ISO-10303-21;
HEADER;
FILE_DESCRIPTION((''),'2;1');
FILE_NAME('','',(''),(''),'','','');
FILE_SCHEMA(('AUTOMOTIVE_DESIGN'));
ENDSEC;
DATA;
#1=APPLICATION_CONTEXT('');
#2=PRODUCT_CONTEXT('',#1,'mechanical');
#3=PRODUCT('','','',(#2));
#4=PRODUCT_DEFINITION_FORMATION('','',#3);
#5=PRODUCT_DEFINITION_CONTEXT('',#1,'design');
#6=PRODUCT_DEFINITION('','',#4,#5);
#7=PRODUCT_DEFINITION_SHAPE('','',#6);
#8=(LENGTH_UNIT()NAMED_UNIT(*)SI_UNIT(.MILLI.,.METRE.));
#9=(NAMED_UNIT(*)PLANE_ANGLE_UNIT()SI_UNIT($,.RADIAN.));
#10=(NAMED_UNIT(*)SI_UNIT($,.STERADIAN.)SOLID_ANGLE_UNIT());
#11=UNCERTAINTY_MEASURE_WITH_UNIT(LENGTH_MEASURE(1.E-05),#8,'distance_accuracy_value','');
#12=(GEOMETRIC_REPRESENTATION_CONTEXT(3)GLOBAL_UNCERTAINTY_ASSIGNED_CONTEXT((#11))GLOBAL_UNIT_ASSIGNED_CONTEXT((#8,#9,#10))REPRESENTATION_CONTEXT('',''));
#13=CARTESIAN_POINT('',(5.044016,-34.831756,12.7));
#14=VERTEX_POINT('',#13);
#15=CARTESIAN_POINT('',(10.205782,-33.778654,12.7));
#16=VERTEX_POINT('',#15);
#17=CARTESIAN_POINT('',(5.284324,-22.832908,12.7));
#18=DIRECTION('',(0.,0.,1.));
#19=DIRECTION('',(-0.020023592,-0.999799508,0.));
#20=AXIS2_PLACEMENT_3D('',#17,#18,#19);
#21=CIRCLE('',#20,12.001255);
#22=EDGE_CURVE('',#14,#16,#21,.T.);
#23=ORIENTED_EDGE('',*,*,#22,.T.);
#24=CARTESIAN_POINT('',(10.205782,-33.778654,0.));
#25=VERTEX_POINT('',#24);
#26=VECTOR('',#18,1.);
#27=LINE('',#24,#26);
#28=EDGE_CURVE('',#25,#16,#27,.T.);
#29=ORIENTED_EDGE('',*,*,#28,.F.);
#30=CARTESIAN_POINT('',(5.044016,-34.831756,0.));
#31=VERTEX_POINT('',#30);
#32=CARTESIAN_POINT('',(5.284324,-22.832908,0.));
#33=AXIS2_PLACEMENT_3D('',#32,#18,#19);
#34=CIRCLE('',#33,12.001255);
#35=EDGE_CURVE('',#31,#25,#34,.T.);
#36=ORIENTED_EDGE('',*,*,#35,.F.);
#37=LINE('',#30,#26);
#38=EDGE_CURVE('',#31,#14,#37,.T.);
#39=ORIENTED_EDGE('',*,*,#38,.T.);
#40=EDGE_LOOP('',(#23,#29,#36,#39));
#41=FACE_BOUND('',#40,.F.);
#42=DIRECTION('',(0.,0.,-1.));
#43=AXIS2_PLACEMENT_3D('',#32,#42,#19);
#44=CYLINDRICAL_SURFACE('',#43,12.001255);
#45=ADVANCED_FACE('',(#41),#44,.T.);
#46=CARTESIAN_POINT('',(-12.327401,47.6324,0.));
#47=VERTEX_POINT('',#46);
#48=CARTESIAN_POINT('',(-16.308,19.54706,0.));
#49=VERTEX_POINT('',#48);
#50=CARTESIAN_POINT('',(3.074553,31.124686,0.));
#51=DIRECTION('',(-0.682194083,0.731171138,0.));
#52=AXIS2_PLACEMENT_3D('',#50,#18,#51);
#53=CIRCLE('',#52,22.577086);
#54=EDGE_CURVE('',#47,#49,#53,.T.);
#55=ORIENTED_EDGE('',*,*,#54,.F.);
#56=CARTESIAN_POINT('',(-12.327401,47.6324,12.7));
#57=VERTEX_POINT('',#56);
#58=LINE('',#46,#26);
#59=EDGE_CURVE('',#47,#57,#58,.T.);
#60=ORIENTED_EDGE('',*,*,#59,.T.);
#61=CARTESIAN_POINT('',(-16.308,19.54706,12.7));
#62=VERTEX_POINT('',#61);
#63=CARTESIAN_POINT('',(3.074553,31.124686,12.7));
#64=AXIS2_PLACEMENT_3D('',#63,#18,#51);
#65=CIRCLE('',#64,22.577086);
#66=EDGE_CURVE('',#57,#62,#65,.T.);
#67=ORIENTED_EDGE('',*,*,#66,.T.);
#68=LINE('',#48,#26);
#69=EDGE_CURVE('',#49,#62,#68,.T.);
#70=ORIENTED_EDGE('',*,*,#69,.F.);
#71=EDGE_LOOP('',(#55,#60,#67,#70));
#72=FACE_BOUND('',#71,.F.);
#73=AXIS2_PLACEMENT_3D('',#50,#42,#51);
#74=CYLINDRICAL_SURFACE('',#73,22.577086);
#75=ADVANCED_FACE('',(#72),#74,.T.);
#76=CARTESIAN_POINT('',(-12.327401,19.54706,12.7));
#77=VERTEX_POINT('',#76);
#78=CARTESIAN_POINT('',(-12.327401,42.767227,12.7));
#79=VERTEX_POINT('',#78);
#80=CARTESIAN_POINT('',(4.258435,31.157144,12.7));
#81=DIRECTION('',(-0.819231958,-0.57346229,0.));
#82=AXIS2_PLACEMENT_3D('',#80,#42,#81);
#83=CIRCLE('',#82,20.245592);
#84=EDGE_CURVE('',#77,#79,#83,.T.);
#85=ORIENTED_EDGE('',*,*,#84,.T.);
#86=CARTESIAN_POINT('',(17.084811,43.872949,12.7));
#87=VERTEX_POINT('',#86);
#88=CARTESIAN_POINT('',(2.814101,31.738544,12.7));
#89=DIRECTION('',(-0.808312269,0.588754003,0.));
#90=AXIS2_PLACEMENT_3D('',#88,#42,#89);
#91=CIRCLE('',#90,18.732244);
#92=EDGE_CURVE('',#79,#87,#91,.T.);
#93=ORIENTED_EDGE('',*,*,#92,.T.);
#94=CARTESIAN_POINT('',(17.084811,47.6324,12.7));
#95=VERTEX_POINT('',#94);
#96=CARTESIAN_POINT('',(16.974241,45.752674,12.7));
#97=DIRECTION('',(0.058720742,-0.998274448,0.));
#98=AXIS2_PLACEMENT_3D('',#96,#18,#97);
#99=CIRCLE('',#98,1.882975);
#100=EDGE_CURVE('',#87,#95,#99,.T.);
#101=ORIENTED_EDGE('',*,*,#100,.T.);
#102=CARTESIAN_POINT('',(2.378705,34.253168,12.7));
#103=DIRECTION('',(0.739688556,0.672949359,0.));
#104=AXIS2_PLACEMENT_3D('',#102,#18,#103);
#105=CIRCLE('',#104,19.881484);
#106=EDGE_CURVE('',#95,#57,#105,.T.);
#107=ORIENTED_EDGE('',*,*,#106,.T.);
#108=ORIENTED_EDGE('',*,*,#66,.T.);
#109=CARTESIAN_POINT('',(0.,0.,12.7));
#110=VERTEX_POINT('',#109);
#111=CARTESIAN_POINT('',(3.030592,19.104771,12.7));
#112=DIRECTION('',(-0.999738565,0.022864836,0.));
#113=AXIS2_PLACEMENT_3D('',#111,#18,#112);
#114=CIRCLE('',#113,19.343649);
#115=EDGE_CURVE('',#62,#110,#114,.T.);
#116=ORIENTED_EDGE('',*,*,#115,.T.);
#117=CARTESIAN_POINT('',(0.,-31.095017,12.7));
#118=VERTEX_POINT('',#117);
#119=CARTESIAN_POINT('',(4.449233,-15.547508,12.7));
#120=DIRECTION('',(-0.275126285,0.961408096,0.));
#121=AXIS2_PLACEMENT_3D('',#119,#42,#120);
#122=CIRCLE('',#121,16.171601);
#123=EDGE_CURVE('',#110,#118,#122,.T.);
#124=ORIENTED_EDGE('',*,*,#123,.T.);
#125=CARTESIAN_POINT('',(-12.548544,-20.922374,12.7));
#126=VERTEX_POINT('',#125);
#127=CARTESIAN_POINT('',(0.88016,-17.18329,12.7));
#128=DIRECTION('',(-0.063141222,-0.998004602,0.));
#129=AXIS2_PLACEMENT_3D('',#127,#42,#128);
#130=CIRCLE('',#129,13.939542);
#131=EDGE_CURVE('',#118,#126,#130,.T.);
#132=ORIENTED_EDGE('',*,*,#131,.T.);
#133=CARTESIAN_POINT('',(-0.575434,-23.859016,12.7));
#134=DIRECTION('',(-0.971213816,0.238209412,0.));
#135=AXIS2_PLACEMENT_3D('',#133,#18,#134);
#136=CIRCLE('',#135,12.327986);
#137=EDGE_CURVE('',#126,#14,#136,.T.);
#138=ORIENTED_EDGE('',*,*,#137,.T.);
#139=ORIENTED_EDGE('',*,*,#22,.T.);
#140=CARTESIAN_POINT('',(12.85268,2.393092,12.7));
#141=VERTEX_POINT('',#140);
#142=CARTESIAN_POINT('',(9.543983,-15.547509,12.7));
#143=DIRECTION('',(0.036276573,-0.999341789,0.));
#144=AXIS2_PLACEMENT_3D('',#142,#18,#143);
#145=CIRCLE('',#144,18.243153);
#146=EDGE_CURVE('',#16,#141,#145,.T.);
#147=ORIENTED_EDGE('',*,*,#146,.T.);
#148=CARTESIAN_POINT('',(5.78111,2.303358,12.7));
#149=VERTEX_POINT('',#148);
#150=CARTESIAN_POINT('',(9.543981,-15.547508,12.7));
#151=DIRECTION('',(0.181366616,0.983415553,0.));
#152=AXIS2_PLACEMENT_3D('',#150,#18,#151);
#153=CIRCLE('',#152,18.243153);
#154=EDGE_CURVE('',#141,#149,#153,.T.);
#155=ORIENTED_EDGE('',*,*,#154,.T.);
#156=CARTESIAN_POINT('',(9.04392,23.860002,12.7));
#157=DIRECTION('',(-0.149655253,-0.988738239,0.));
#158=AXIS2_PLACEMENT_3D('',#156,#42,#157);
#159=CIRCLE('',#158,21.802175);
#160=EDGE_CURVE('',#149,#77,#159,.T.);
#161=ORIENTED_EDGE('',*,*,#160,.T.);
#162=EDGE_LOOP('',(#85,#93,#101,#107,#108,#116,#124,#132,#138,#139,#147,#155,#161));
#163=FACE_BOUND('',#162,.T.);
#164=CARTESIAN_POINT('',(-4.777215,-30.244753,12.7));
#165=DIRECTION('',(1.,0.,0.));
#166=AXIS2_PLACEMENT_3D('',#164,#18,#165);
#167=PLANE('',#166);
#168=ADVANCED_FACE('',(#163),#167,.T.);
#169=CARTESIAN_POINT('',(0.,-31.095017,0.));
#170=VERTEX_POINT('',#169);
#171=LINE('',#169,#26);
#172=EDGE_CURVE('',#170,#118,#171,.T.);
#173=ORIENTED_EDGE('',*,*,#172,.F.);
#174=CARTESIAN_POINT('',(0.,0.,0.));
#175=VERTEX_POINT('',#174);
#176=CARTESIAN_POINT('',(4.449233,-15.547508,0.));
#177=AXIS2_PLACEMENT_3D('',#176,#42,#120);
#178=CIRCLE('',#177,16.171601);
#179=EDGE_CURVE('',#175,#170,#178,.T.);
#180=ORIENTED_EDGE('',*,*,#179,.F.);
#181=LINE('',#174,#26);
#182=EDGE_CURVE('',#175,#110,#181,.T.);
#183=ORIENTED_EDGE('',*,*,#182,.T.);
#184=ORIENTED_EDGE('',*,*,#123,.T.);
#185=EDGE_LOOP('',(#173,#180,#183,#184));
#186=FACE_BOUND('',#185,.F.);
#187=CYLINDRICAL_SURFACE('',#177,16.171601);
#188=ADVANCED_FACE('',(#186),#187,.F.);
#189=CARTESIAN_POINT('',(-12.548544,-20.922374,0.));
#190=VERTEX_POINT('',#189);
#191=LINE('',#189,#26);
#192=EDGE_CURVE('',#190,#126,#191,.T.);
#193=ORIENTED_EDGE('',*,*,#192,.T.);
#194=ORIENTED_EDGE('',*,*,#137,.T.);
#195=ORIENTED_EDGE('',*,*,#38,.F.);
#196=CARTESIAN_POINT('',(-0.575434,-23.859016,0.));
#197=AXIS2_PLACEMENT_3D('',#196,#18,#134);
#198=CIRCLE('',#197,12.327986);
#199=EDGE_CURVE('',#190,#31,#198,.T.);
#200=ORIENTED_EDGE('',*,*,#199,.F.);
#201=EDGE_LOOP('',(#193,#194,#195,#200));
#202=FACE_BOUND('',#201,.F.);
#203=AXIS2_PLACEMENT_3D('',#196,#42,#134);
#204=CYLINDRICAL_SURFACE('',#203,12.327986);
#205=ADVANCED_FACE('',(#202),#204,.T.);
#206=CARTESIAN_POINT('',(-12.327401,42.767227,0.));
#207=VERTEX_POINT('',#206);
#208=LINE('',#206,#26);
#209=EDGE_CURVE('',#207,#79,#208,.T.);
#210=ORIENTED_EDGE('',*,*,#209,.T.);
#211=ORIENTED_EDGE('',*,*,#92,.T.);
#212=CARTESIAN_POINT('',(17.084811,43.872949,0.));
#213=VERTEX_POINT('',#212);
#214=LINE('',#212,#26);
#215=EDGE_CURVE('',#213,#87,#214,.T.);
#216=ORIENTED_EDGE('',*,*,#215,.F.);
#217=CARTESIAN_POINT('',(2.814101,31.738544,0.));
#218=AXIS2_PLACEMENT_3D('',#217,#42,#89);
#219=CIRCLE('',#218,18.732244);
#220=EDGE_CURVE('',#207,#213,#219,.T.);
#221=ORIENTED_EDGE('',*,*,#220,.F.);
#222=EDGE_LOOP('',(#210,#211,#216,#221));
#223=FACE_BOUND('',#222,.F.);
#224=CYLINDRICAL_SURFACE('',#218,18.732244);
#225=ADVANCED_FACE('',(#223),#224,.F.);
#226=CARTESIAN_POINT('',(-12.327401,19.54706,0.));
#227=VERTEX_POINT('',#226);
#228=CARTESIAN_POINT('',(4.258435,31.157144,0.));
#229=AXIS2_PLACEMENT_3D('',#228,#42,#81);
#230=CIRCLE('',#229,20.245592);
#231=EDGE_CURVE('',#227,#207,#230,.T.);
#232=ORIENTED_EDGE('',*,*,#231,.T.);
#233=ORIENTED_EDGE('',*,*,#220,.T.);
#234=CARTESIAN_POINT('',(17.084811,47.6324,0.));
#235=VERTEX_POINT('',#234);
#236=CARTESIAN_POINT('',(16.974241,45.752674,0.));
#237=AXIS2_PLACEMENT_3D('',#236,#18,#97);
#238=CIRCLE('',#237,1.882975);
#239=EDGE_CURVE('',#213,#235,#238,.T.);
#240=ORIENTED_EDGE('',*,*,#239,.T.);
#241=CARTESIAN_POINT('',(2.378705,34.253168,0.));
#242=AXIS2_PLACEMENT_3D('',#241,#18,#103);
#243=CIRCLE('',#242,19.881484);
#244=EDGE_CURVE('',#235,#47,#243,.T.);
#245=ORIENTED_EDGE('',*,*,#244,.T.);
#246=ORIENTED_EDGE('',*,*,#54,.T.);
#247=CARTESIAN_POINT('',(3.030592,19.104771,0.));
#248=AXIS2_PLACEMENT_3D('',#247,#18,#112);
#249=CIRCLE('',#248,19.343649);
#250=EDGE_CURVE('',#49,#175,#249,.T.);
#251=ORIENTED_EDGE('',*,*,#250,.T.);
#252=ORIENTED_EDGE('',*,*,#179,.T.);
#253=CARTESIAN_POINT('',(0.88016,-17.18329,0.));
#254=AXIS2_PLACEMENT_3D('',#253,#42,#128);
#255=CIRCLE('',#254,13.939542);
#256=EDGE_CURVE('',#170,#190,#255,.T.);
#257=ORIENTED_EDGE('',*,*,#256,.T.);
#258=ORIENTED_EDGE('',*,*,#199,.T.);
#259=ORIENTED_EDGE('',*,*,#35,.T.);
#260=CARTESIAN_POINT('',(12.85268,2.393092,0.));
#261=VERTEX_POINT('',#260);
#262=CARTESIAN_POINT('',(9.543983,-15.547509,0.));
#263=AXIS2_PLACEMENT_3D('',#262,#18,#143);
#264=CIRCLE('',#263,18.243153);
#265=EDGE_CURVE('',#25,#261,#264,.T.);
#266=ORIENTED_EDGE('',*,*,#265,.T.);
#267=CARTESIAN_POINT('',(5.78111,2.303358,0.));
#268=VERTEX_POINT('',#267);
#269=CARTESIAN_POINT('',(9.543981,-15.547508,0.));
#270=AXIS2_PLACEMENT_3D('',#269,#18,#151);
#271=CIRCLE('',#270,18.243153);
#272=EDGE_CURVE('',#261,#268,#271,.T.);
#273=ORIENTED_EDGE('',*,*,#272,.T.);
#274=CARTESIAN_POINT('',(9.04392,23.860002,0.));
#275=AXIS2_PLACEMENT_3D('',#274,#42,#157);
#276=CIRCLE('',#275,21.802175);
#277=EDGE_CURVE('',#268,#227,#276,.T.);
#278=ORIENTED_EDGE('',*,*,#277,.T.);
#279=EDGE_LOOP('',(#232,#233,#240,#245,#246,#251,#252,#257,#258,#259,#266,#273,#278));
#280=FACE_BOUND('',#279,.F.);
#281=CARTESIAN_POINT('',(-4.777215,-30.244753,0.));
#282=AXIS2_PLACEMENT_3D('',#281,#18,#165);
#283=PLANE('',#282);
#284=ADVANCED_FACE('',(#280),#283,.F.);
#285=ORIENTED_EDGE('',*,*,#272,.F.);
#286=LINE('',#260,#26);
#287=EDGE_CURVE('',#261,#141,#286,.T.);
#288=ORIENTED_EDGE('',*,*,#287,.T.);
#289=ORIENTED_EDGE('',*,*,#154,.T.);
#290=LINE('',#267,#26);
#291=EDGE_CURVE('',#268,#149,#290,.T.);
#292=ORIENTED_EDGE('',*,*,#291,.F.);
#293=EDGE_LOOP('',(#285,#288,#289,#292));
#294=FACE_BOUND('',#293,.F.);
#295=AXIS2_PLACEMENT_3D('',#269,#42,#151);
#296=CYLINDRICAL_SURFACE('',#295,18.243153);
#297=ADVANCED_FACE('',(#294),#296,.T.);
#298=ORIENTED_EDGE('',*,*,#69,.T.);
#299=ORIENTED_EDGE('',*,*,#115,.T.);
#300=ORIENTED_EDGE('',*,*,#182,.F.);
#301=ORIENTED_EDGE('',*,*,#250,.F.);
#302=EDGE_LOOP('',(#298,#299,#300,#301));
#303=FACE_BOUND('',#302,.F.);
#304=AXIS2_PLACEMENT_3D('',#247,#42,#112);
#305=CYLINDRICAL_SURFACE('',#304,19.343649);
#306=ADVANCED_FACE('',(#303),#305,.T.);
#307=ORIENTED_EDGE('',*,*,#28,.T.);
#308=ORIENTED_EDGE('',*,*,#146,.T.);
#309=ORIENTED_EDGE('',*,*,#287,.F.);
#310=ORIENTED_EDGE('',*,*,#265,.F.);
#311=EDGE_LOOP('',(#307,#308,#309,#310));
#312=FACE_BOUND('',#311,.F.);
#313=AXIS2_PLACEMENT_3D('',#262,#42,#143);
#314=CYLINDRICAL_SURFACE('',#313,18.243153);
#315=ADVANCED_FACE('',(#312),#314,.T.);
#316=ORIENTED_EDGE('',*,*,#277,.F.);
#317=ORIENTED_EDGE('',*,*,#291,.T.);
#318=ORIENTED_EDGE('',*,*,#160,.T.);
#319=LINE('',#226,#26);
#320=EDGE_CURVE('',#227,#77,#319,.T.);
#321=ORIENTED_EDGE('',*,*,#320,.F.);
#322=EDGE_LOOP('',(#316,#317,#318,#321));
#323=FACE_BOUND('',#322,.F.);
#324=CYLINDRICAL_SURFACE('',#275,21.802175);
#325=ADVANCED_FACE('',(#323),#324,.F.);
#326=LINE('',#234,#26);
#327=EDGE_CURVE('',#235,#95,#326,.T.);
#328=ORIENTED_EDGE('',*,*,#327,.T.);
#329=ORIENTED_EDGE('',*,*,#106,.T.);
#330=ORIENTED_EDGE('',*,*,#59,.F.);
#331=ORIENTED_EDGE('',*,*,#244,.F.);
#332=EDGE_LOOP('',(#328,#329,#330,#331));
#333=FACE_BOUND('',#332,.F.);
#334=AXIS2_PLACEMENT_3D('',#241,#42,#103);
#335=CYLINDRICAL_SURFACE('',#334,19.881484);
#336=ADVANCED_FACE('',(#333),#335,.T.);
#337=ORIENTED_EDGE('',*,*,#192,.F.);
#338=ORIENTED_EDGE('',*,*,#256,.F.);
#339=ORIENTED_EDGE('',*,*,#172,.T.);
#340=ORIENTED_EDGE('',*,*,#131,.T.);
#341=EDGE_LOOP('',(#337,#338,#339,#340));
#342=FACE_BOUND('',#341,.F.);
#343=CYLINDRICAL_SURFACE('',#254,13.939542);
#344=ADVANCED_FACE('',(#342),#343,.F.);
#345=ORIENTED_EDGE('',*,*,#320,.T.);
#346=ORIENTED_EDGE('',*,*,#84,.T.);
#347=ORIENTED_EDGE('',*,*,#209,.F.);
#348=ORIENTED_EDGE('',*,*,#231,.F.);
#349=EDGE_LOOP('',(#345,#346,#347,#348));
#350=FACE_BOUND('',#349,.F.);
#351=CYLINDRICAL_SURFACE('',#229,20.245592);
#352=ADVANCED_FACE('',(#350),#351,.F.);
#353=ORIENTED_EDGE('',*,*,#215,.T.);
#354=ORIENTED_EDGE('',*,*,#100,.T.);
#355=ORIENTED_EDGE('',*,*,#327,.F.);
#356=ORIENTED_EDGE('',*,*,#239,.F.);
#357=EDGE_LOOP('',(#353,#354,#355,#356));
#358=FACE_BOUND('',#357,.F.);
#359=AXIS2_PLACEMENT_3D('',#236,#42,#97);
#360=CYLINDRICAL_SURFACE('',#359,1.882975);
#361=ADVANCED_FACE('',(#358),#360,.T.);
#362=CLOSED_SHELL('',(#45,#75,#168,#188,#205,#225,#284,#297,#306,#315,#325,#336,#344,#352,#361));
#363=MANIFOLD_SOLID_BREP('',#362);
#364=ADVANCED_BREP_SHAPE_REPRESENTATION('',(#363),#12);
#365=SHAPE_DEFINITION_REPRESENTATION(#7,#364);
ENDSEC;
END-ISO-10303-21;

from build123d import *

# Parameters (mm, degrees)
F1_DEPTH = 12.7


with BuildPart() as f1:
    # F0 (on Top) → F1 (new body)
    with BuildSketch(Plane.XY):
        with BuildLine():
            ThreePointArc((6.969989, -33.608161), (3.356066, -32.709161), (0, -31.095017))
            ThreePointArc((0, -31.095017), (-7.898027, -28.011691), (-12.548544, -20.922374))
            ThreePointArc((-12.548544, -20.922374), (-8.221346, -33.529552), (5.044016, -34.831756))
            ThreePointArc((5.044016, -34.831756), (6.035373, -34.264614), (6.969989, -33.608161))
        make_face()
        with BuildLine():
            ThreePointArc((0, 0), (20.620834, -15.547508), (0, -31.095017))
            ThreePointArc((0, -31.095017), (3.356066, -32.709161), (6.969989, -33.608161))
            ThreePointArc((6.969989, -33.608161), (8.584093, -33.765391), (10.205782, -33.778654))
            ThreePointArc((10.205782, -33.778654), (27.738488, -16.878906), (12.85268, 2.393092))
            ThreePointArc((12.85268, 2.393092), (9.320558, 2.059582), (5.78111, 2.303358))
            ThreePointArc((5.78111, 2.303358), (2.791616, 1.400004), (0, 0))
        make_face()
        with BuildLine():
            ThreePointArc((-16.308, 19.54706), (-11.822589, 6.712847), (0, 0))
            ThreePointArc((0, 0), (2.791616, 1.400004), (5.78111, 2.303358))
            ThreePointArc((5.78111, 2.303358), (-5.99092, 8.071132), (-12.327401, 19.54706))
            ThreePointArc((-12.327401, 19.54706), (-15.987157, 31.157143), (-12.327401, 42.767227))
            ThreePointArc((-12.327401, 42.767227), (2.110379, 50.457564), (17.084811, 43.872949))
            ThreePointArc((17.084811, 43.872949), (18.857216, 45.752674), (17.084811, 47.6324))
            ThreePointArc((17.084811, 47.6324), (2.378705, 54.134652), (-12.327401, 47.6324))
            ThreePointArc((-12.327401, 47.6324), (-19.279128, 34.292925), (-16.308, 19.54706))
        make_face()
        with BuildLine():
            ThreePointArc((10.205782, -33.778654), (8.584093, -33.765391), (6.969989, -33.608161))
            ThreePointArc((6.969989, -33.608161), (6.035373, -34.264614), (5.044016, -34.831756))
            ThreePointArc((5.044016, -34.831756), (7.683397, -34.591928), (10.205782, -33.778654))
        make_face()
        with BuildLine():
            ThreePointArc((12.85268, 2.393092), (9.312505, 2.694176), (5.78111, 2.303358))
            ThreePointArc((5.78111, 2.303358), (9.320558, 2.059582), (12.85268, 2.393092))
        make_face()
    extrude(amount=F1_DEPTH)


solid = f1.part
